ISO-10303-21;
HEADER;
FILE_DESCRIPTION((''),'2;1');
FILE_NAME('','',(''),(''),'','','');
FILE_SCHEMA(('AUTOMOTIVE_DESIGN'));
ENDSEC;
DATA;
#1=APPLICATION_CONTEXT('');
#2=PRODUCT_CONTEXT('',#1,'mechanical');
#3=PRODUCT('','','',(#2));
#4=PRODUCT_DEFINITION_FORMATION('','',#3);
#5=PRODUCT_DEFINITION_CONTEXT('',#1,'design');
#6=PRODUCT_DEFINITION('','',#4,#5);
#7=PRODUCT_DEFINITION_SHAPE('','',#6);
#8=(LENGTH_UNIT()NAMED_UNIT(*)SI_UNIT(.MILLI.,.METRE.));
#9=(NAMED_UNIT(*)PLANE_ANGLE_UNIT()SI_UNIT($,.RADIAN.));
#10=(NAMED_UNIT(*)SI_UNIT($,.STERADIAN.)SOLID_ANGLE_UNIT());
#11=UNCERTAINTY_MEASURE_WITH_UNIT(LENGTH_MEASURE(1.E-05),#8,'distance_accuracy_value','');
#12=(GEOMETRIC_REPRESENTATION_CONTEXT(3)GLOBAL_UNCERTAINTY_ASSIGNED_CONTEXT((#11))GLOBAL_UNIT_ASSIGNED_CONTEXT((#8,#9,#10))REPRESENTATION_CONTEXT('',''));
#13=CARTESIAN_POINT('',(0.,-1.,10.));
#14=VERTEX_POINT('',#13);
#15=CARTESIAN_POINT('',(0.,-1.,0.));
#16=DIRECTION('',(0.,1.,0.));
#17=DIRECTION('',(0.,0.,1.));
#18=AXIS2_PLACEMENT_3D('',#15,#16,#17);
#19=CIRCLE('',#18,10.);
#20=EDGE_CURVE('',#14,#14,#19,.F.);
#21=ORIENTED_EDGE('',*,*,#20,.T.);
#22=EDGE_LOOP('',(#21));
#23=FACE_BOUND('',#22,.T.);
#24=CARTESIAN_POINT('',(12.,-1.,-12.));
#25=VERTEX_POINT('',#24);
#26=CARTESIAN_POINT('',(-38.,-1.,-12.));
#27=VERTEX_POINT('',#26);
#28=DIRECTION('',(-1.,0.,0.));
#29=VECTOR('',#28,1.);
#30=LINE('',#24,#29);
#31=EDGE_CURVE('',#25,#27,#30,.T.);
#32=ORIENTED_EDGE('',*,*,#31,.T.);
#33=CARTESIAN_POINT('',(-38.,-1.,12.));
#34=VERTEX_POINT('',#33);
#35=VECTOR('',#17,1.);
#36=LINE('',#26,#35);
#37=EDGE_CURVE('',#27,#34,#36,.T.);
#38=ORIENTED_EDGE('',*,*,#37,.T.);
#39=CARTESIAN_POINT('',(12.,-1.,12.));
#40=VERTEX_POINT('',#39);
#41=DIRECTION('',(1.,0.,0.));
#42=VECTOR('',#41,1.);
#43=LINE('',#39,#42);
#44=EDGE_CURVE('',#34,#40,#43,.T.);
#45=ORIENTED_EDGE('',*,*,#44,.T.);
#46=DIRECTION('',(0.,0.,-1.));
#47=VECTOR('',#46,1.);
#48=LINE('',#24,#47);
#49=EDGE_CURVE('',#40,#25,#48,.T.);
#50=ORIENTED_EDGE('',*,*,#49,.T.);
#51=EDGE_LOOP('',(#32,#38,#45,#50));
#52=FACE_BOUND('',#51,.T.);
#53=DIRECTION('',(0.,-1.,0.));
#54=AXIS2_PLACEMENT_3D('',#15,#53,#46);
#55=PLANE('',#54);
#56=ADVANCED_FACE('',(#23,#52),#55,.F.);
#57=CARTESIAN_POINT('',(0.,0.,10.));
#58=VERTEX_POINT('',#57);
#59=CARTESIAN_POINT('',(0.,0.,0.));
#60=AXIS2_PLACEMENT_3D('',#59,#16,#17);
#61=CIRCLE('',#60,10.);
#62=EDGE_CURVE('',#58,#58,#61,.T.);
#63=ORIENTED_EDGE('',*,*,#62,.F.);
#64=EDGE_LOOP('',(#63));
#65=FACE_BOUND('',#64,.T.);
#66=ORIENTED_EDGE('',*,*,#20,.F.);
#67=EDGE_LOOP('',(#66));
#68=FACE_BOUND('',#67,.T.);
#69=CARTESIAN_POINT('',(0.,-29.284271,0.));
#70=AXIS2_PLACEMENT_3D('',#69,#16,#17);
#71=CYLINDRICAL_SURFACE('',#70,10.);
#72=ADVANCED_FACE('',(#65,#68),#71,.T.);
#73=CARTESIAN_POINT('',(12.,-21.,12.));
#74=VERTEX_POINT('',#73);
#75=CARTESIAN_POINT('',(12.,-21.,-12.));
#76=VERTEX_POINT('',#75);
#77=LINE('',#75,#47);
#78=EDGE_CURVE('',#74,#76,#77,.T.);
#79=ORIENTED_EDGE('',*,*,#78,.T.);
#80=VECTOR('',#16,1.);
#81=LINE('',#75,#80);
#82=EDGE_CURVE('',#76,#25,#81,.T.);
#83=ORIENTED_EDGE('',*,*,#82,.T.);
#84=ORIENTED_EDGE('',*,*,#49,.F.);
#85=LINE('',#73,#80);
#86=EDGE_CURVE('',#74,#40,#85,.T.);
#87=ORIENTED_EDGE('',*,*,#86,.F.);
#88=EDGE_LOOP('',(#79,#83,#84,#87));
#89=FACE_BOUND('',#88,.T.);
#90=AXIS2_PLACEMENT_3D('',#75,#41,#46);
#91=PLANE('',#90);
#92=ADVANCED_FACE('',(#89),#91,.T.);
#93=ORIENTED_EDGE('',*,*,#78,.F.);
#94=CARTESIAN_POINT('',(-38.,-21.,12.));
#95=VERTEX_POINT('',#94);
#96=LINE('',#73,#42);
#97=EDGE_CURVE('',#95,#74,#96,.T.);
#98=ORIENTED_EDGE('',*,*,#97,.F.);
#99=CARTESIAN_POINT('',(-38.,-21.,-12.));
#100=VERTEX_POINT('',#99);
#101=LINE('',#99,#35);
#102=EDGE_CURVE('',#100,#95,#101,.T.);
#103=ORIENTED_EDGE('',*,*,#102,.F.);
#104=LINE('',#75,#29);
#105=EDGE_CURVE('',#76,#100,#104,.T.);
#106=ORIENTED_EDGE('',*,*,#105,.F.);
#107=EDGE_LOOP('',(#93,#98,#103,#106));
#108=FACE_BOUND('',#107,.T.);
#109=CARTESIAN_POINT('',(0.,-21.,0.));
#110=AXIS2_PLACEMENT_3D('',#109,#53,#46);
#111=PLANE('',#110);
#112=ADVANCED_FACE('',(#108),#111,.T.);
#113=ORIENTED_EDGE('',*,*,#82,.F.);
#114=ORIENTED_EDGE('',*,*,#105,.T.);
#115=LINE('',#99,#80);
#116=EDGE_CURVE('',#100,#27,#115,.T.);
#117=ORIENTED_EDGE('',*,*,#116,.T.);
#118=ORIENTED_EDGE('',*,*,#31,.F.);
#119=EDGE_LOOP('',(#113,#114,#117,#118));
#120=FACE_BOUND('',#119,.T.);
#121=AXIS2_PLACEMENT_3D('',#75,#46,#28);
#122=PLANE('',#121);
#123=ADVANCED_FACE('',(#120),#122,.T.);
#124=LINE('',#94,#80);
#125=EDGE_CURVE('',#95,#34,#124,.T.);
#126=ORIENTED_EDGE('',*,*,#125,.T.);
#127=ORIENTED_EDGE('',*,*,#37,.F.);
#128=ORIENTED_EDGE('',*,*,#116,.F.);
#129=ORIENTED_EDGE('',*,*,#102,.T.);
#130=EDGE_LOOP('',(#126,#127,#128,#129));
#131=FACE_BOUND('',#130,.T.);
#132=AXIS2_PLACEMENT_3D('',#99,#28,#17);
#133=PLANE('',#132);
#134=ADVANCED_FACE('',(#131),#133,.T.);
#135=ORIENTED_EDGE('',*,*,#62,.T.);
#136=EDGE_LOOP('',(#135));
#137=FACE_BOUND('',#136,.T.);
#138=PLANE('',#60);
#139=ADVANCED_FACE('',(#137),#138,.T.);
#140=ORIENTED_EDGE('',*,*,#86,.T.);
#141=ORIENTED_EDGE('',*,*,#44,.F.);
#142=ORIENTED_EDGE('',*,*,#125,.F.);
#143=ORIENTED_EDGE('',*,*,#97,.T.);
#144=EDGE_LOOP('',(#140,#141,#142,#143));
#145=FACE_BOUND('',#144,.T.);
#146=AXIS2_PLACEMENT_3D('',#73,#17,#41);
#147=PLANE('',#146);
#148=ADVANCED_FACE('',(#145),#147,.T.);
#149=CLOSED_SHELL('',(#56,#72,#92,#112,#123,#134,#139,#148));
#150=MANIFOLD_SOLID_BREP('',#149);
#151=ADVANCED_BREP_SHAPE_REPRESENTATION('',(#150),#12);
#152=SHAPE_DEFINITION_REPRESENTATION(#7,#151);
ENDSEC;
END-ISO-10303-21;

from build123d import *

# Parameters (mm, degrees)
SKETCH2_R           = 10
BOSS_EXTRUDE1_DEPTH = 1
SKETCH4_W           = 50
SKETCH4_H           = 24
BOSS_EXTRUDE2_DEPTH = 20


with BuildPart() as part:
    # Sketch2 → Boss-Extrude1 (new body)
    with BuildSketch(Plane(origin=(0, 0, 0), x_dir=(1, 0, 0), z_dir=(0, 1, 0))):
        with Locations(Location((0, 0, 0), (0, 0, 270))):
            Circle(SKETCH2_R)
    extrude(amount=-BOSS_EXTRUDE1_DEPTH)

    # Sketch4 → Boss-Extrude2 (add)
    with BuildSketch(Plane(origin=(0, -1, 0), x_dir=(1, 0, 0), z_dir=(0, 1, 0))):
        with Locations((-13, 0)):
            Rectangle(SKETCH4_W, SKETCH4_H)
    extrude(amount=-BOSS_EXTRUDE2_DEPTH)


solid = part.part
